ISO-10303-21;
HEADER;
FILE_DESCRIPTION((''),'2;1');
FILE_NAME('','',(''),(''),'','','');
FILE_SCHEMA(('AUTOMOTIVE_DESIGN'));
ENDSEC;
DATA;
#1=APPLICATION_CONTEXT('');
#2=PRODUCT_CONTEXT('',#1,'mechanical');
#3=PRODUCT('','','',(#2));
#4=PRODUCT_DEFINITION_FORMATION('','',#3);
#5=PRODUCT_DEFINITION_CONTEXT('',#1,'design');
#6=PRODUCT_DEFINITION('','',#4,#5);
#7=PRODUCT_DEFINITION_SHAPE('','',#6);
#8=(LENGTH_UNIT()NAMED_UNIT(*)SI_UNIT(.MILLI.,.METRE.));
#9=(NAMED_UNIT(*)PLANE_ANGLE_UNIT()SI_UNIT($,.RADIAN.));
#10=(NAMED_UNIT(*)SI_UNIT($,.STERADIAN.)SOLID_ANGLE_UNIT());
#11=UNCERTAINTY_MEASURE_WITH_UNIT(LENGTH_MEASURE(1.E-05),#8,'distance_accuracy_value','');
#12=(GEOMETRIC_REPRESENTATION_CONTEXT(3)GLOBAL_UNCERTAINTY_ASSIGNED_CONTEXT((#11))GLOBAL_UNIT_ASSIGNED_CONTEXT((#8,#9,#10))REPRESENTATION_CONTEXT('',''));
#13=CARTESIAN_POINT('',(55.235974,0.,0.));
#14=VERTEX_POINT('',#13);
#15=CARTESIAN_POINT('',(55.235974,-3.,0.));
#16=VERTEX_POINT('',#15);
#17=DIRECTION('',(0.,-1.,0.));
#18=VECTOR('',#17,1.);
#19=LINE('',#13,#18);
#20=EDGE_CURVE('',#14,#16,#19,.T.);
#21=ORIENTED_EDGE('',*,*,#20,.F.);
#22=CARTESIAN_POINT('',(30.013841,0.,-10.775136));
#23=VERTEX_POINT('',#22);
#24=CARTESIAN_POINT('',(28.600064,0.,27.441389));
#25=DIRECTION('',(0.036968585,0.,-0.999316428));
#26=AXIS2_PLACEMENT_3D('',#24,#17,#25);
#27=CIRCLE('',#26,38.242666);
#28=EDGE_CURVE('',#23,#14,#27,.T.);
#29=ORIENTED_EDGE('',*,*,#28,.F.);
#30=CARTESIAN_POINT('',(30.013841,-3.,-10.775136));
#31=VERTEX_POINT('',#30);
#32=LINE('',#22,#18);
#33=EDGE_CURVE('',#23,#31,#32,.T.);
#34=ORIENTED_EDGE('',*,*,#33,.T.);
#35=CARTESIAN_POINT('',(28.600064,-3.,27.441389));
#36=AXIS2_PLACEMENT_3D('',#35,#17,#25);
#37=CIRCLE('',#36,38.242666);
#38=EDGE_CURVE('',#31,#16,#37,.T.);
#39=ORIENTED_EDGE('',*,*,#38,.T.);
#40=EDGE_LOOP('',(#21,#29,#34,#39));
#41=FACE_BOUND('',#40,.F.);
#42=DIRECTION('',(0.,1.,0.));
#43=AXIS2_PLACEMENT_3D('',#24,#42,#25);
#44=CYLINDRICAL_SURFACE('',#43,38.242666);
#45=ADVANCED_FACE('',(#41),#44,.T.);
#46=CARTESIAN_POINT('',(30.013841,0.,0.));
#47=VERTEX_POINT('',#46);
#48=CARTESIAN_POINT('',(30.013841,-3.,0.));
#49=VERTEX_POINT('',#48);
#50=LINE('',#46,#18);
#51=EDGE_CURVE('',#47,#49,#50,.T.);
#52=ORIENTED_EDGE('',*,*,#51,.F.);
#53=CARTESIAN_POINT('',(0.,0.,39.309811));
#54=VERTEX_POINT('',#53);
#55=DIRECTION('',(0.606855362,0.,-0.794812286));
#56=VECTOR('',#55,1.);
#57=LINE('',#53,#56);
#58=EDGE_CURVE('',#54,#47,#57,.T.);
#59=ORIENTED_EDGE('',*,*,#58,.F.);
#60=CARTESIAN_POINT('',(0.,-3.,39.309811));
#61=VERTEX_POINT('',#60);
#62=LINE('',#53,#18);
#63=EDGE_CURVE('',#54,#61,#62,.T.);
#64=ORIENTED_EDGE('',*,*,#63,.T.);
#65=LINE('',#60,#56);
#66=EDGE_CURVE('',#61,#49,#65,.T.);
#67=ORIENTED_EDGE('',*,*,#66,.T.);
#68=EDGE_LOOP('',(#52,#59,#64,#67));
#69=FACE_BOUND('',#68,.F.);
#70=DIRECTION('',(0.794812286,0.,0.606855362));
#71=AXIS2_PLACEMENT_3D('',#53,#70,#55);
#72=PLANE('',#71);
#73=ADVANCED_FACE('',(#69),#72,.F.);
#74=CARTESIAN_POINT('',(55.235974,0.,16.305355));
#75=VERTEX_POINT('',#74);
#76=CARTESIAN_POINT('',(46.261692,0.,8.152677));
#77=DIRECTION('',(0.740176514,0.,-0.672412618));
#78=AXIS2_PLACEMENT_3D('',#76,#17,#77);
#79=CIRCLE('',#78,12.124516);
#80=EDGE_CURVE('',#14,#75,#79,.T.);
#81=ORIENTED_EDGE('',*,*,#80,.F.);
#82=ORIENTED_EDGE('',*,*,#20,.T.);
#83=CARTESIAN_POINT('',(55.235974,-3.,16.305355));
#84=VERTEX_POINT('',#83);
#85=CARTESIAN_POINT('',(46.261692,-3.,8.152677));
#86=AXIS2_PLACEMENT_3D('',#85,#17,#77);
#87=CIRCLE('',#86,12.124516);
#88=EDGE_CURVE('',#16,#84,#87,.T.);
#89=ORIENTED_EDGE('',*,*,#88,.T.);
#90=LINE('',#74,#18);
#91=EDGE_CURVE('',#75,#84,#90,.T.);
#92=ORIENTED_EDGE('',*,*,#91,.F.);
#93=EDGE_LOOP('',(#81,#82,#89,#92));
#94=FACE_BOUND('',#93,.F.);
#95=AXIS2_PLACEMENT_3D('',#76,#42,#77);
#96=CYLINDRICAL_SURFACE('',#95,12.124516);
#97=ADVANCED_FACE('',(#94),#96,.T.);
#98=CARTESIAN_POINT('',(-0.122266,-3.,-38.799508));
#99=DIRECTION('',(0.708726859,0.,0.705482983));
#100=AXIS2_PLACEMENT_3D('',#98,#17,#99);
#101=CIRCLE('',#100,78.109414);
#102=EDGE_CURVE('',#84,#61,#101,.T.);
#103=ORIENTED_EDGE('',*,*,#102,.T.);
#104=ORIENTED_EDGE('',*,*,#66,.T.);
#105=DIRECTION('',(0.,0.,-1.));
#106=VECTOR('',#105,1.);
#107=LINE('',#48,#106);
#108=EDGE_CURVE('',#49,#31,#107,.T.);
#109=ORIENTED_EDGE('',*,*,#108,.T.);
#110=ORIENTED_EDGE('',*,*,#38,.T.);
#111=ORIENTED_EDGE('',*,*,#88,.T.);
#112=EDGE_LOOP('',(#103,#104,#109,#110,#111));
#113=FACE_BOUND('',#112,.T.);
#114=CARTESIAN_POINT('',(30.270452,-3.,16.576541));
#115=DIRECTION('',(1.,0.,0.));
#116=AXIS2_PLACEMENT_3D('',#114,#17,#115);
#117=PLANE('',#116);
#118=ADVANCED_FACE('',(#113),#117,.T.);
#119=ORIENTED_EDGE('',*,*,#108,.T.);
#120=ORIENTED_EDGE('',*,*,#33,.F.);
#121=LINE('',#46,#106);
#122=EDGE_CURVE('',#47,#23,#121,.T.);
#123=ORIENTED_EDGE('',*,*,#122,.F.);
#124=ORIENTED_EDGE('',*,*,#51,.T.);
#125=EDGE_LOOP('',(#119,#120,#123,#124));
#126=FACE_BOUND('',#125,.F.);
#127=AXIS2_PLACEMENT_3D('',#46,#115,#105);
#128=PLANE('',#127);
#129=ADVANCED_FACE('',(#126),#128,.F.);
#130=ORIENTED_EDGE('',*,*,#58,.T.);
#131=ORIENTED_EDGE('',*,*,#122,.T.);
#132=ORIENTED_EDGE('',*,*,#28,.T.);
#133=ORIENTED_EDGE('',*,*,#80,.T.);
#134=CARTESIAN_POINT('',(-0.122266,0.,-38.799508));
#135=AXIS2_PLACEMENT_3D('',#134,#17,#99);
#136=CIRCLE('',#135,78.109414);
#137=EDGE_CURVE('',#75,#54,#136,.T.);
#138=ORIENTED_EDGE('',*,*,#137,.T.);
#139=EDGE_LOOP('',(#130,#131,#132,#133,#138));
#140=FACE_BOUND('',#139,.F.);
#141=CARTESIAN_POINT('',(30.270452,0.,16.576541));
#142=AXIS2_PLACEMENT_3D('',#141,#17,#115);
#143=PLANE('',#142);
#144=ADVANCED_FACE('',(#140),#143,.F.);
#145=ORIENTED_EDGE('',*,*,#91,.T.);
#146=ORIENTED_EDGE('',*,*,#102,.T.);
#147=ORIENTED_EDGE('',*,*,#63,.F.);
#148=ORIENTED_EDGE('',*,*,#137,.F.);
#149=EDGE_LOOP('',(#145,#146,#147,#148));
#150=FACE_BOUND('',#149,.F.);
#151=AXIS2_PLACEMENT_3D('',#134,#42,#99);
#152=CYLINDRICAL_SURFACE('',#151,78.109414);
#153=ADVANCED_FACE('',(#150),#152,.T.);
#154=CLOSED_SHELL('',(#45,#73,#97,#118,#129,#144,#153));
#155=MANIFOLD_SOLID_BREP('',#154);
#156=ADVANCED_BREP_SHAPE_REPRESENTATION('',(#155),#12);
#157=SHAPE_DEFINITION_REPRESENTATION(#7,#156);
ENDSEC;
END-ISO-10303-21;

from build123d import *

# Parameters (mm, degrees)
F1_DEPTH = 3


with BuildPart() as f1:
    # F0 (on Front) → F1 (new body)
    with BuildSketch(Plane.XZ):
        with BuildLine():
            ThreePointArc((55.235974, 0), (58.386208, 8.152678), (55.235974, 16.305355))
            ThreePointArc((55.235974, 16.305355), (29.9081, 33.306371), (0, 39.309811))
            Line((0, 39.309811), (30.013841, 0))
            Line((30.013841, 0), (30.013841, -10.775136))
            ThreePointArc((30.013841, -10.775136), (43.624115, -7.726486), (55.235974, 0))
        make_face()
    extrude(amount=F1_DEPTH)


solid = f1.part
